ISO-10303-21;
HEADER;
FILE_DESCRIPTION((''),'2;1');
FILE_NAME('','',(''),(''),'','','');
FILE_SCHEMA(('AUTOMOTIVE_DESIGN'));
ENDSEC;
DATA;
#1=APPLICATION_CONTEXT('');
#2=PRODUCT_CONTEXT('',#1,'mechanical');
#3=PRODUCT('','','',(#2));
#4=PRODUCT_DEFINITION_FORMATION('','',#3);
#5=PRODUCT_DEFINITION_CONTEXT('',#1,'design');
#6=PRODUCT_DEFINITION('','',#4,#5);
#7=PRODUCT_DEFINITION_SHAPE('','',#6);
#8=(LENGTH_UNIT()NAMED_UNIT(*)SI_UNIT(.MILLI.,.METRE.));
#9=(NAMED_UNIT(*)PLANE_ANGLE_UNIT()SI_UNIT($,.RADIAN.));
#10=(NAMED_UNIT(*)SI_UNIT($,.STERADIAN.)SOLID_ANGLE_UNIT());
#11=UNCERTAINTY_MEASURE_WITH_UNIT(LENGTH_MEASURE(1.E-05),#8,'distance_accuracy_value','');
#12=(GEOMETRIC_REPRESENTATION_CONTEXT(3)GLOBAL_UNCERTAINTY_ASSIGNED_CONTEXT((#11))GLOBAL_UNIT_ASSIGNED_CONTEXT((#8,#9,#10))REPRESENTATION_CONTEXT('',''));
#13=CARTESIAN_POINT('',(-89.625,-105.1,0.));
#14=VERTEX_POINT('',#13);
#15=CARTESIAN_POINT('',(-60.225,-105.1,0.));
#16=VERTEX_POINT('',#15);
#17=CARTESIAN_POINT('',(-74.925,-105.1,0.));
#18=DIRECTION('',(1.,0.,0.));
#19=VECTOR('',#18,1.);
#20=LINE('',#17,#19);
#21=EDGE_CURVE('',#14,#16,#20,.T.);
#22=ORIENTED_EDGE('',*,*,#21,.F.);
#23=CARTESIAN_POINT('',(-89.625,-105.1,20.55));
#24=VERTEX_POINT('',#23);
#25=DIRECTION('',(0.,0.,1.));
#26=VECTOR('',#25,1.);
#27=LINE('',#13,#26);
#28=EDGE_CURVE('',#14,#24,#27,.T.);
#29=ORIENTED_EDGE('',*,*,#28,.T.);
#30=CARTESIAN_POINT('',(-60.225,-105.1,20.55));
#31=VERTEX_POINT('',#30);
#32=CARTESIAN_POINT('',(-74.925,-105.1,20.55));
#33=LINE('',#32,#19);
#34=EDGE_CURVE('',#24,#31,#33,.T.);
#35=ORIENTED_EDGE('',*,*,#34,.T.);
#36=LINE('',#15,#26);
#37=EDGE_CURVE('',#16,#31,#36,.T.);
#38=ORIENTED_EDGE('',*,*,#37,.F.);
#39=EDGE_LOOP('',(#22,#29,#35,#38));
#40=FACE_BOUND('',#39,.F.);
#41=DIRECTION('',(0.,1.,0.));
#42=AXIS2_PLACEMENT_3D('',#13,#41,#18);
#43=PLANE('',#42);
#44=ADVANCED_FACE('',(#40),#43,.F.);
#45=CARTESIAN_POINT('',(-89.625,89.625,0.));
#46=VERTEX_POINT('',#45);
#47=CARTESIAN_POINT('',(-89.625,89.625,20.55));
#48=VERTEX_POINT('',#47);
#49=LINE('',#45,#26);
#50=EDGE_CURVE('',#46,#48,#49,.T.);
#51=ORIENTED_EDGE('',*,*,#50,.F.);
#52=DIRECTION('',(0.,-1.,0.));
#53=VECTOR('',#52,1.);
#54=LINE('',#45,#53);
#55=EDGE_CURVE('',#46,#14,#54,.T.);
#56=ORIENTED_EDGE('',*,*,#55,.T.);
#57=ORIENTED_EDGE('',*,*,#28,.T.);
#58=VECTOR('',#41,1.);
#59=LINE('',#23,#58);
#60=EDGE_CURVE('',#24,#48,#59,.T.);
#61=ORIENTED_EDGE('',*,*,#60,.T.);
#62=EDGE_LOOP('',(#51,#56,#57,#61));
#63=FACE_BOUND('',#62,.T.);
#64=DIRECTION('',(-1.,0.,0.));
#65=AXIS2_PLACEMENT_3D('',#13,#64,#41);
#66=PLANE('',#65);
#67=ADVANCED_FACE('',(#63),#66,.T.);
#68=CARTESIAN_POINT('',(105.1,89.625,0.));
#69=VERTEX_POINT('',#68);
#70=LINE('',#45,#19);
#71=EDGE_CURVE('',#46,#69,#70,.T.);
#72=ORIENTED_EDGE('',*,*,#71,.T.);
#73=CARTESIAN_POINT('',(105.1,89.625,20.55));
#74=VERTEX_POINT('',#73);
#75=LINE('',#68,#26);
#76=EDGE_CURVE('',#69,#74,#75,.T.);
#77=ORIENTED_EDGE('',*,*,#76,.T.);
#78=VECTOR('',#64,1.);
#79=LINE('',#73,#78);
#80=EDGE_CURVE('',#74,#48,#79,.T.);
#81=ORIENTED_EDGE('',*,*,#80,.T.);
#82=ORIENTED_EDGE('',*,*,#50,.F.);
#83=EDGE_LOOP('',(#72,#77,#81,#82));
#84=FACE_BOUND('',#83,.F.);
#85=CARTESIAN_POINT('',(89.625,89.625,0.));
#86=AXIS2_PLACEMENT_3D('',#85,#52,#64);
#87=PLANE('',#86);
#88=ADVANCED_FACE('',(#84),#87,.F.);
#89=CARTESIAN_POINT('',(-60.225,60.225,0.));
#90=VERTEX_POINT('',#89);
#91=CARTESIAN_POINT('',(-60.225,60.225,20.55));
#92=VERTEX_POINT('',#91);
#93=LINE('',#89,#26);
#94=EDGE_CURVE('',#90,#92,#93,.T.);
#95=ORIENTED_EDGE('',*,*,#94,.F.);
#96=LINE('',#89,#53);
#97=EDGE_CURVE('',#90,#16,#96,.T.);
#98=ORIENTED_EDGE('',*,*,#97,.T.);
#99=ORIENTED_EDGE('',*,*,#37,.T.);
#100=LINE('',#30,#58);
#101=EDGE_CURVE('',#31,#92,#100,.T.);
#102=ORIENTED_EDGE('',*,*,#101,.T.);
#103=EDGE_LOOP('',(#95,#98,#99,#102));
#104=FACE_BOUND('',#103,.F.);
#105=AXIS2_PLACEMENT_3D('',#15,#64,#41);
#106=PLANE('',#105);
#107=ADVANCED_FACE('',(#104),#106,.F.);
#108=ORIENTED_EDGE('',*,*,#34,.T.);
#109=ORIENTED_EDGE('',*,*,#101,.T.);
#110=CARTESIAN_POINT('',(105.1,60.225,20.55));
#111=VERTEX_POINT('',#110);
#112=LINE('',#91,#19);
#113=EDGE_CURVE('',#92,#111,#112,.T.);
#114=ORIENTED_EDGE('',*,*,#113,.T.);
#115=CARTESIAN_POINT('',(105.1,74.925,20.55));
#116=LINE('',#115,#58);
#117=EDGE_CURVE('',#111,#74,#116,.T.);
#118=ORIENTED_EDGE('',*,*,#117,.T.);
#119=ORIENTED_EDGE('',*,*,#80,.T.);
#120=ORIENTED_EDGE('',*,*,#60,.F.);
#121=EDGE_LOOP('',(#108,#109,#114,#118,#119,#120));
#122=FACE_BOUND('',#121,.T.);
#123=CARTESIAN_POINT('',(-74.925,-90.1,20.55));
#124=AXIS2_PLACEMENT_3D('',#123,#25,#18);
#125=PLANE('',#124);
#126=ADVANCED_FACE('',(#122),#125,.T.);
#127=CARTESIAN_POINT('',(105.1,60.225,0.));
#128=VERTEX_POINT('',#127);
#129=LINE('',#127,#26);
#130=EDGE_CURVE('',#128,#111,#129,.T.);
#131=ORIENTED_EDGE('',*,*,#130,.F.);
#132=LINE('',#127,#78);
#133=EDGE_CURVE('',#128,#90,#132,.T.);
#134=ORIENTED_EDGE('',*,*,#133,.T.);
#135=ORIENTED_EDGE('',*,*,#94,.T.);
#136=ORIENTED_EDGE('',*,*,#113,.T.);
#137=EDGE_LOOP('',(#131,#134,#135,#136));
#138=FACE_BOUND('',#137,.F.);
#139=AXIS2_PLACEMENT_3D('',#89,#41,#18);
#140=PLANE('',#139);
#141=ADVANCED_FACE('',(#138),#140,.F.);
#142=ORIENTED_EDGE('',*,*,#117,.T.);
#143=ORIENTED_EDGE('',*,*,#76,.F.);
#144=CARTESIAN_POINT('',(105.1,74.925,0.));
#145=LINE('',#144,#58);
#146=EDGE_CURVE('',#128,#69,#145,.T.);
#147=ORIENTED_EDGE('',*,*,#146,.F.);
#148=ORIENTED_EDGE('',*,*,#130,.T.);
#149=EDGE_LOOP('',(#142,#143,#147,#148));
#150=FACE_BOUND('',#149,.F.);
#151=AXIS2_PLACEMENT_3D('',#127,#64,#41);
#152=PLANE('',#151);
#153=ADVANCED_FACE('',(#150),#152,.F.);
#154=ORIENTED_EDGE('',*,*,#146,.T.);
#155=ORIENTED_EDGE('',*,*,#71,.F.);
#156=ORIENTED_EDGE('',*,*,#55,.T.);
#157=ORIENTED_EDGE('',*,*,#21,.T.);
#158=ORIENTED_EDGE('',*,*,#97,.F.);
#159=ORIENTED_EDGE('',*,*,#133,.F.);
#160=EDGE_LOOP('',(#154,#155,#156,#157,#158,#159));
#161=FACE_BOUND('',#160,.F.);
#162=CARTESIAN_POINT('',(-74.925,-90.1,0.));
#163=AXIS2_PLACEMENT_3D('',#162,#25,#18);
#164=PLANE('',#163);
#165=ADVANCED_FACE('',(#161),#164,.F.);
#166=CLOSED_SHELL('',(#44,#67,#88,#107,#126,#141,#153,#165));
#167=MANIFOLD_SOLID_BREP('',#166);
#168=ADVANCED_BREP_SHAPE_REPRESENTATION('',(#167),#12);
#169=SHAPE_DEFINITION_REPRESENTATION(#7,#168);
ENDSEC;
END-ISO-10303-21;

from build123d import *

# Parameters (mm, degrees)
F1_DEPTH = 20.55
F2_W     = 14.525
F2_H     = 29.4
F2_W_2   = 29.4
F2_H_2   = 14.525
F3_DEPTH = 20.551
F4_W     = 29.4
F4_H     = 30
F4_W_2   = 30
F4_H_2   = 29.4
F5_DEPTH = 20.55


with BuildPart() as f1:
    # F0 (on Top) → F1 (new body)
    with BuildSketch(Plane.XY):
        Polygon((-60.225, 60.225), (89.625, 60.225), (89.625, 89.625), (-89.625, 89.625), (-89.625, -89.625), (-60.225, -89.625), align=None)
    extrude(amount=F1_DEPTH)

    # F2 (on face) → F3 (cut, through all)
    with BuildSketch(Plane.XY.offset(20.55)):
        with Locations((82.3625, 74.925)):
            Rectangle(F2_W, F2_H)
        with Locations((-74.925, -82.3625)):
            Rectangle(F2_W_2, F2_H_2)
    extrude(amount=-F3_DEPTH, mode=Mode.SUBTRACT)

    # F4 (on Top) → F5 (join, through all)
    with BuildSketch(Plane.XY):
        with Locations((-74.925, -90.1)):
            Rectangle(F4_W, F4_H)
        with Locations((90.1, 74.925)):
            Rectangle(F4_W_2, F4_H_2)
    extrude(amount=F5_DEPTH)


solid = f1.part
